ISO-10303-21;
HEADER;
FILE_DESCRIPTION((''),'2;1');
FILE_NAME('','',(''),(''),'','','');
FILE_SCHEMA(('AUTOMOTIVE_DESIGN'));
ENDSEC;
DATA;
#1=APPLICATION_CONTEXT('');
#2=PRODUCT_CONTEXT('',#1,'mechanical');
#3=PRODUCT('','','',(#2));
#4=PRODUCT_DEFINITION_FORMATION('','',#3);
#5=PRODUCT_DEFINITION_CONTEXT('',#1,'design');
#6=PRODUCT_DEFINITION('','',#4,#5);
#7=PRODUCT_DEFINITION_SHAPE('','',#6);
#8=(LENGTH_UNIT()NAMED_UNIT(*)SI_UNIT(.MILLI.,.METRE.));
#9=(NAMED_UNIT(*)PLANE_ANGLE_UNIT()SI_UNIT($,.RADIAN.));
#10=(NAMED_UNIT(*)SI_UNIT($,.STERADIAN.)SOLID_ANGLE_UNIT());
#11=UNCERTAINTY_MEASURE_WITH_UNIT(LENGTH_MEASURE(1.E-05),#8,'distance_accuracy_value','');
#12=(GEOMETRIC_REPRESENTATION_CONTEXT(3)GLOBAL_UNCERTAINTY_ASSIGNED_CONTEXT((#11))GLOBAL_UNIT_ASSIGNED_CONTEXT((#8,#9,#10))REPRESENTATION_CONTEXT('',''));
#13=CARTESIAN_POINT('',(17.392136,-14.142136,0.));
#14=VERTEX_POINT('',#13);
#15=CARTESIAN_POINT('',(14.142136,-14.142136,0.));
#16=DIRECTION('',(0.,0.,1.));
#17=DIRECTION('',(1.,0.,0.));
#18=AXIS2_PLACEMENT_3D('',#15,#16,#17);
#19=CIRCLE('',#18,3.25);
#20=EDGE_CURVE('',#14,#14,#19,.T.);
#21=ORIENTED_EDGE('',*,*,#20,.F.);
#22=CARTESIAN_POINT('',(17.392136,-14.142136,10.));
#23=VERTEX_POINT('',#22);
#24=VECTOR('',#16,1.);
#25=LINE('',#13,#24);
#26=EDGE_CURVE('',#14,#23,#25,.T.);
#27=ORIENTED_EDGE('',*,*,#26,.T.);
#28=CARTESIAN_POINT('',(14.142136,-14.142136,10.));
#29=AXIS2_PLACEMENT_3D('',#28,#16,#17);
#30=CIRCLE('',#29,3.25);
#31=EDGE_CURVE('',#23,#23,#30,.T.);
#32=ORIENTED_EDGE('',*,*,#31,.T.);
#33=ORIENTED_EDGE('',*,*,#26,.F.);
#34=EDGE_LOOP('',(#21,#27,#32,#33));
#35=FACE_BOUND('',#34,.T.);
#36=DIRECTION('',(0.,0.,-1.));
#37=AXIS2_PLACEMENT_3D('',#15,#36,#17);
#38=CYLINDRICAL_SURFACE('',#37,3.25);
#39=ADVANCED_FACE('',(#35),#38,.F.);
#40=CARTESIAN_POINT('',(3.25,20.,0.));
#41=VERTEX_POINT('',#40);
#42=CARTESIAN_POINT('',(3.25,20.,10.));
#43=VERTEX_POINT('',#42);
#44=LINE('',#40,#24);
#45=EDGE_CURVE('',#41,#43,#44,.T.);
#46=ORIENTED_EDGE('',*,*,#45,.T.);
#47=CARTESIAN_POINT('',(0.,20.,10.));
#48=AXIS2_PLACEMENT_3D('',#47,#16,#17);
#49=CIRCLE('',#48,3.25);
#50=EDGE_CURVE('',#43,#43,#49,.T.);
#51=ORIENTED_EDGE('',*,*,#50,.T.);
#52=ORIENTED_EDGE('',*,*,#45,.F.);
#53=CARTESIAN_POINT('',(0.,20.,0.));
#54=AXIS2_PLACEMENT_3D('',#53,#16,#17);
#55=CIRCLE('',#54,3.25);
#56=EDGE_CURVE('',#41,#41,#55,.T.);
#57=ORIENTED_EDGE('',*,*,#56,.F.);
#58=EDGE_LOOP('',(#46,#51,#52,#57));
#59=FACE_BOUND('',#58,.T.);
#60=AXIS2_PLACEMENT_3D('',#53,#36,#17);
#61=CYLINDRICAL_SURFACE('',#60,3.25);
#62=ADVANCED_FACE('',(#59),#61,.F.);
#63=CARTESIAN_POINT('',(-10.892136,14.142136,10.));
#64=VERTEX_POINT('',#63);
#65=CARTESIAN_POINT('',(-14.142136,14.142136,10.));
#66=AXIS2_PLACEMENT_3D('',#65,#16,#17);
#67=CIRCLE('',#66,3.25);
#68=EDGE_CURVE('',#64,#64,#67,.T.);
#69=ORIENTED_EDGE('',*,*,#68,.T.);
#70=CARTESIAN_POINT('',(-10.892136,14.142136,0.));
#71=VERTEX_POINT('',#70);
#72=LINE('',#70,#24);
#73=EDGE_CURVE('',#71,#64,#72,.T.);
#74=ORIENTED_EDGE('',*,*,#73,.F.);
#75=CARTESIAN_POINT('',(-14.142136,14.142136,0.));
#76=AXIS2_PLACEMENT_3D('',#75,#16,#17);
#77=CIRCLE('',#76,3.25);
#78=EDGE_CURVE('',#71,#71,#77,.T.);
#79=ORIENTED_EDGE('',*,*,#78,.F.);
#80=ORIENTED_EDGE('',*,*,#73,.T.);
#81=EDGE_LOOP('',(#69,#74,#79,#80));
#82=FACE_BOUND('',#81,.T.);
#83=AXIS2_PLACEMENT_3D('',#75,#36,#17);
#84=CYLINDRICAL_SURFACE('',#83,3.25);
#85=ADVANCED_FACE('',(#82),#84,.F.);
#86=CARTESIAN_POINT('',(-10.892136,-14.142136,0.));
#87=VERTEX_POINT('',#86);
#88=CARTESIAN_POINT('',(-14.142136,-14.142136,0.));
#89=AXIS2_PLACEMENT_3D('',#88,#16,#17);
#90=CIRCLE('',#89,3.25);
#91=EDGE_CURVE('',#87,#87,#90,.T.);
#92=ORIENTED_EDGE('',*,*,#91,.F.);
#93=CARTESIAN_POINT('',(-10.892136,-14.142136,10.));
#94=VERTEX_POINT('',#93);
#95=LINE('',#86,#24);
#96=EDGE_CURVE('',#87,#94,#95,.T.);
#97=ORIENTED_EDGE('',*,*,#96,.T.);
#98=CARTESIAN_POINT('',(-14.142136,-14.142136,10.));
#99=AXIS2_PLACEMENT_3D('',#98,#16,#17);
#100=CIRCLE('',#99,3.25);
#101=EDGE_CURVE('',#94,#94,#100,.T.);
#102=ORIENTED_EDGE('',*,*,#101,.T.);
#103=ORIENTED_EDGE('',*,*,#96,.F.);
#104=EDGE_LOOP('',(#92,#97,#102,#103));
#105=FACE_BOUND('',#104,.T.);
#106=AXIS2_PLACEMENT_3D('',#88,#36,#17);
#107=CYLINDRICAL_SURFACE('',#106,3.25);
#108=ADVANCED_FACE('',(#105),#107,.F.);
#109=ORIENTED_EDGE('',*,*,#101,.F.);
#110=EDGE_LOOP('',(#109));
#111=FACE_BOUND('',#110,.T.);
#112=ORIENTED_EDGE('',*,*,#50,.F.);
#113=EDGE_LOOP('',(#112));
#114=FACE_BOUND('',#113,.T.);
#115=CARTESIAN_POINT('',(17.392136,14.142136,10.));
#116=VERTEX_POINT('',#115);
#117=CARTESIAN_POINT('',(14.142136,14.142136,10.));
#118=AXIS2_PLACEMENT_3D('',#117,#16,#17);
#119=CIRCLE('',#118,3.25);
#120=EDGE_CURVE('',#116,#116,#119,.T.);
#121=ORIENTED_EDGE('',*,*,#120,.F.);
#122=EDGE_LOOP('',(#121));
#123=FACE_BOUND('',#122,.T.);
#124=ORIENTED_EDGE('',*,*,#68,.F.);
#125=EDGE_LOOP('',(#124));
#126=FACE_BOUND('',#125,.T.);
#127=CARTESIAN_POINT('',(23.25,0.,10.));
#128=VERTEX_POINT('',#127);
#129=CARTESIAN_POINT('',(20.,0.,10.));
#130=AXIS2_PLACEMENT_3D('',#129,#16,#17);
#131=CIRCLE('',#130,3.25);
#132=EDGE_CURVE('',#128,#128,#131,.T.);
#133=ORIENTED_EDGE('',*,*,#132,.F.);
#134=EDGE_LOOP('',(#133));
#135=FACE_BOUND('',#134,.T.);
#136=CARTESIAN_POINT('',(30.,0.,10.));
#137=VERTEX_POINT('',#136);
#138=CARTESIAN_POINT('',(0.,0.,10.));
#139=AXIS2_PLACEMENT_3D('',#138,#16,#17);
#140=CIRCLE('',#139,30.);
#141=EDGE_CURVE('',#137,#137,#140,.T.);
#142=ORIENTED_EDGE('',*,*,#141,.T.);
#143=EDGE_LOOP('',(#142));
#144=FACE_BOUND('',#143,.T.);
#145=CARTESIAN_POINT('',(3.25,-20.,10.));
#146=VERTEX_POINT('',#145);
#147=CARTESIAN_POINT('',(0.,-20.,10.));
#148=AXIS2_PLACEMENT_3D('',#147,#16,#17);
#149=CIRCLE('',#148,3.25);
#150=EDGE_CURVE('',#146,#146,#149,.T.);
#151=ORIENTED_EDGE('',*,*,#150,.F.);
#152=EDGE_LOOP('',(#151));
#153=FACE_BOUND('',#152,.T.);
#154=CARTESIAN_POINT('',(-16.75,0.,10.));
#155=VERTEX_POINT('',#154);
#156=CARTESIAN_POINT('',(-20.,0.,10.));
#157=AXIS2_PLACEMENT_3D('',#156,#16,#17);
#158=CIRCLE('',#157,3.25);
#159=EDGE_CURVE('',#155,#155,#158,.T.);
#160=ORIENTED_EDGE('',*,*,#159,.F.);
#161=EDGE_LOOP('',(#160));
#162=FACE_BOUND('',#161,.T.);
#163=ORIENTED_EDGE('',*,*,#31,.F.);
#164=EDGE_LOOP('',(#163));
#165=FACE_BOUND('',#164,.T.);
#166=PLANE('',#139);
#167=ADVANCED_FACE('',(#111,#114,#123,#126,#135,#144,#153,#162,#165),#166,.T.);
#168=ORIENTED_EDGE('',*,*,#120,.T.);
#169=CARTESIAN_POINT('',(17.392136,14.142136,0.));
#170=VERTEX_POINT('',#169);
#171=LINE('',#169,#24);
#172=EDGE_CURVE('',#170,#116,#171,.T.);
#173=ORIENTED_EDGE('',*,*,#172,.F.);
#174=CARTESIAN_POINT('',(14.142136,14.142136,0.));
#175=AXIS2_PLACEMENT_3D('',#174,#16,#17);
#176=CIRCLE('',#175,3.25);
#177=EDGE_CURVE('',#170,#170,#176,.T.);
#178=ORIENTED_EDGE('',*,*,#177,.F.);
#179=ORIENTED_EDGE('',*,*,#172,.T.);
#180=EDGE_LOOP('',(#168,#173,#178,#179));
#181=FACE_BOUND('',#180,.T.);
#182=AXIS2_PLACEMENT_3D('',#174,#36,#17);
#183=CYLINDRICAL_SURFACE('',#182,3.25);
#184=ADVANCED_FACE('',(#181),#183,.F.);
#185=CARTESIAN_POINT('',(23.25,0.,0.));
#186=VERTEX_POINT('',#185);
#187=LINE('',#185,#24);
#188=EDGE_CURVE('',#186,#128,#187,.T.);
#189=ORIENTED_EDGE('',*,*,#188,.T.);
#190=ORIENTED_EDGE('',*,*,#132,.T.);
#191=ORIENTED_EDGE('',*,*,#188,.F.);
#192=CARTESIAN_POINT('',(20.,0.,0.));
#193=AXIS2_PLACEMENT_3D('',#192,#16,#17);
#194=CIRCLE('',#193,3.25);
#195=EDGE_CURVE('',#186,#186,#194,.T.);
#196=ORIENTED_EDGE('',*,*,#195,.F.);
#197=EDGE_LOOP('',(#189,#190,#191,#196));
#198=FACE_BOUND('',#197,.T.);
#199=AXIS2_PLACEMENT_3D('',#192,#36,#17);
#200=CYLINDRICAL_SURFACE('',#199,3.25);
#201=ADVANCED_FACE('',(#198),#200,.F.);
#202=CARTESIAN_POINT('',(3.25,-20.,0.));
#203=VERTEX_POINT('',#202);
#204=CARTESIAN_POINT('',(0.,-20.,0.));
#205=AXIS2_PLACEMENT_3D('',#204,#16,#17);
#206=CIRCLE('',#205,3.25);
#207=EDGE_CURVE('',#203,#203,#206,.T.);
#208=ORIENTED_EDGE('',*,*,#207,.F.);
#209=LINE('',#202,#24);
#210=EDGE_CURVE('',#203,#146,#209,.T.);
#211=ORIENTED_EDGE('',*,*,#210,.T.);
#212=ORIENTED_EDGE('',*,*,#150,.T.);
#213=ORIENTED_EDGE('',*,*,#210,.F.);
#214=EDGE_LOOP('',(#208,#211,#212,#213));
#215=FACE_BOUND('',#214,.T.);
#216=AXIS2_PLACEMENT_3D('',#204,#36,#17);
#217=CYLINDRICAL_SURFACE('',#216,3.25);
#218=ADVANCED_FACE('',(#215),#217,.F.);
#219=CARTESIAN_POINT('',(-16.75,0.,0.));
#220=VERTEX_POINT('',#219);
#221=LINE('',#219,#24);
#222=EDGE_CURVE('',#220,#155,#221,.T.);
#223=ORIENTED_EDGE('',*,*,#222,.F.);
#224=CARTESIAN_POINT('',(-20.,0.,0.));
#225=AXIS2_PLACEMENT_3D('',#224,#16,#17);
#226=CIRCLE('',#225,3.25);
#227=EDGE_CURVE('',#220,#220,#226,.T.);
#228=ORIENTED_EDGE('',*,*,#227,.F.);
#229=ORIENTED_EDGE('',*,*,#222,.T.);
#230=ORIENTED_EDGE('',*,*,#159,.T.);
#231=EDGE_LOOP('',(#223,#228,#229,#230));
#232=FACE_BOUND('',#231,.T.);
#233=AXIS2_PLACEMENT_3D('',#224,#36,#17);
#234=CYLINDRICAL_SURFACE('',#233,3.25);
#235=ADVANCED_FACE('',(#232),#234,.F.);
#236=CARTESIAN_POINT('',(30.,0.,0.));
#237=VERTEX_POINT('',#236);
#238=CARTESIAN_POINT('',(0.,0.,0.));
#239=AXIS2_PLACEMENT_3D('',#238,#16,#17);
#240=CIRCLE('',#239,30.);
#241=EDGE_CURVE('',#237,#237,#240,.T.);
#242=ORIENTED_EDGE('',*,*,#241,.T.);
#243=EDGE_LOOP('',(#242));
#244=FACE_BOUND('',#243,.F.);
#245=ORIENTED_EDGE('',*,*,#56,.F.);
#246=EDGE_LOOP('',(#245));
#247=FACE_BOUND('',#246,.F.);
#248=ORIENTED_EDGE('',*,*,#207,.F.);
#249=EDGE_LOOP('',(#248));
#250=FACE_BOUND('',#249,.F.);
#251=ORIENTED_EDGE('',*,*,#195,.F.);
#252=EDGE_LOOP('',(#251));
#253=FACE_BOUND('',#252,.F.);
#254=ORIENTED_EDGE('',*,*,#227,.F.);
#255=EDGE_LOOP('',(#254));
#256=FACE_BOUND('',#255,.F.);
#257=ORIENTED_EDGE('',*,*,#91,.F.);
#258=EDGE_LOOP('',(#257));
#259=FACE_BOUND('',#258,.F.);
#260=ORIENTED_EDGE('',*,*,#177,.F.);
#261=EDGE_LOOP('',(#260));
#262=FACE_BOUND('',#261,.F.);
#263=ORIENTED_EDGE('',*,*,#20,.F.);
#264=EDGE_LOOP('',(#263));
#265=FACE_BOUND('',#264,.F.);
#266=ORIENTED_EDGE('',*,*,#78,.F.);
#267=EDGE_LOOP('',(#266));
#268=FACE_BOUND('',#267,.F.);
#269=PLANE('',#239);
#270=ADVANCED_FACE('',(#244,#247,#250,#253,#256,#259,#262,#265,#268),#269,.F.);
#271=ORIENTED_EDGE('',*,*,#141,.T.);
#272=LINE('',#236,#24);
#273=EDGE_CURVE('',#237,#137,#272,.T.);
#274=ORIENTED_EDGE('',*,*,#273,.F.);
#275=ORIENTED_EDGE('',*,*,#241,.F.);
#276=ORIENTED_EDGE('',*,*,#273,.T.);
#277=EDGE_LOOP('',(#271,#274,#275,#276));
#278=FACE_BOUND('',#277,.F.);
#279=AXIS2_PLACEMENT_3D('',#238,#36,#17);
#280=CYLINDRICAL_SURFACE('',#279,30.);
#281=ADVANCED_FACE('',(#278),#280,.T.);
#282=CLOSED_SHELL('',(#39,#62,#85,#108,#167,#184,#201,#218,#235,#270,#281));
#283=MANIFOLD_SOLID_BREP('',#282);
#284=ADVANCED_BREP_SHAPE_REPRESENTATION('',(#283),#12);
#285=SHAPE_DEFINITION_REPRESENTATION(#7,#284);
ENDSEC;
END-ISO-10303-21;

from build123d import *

# Parameters (mm, degrees)
F0_R     = 30
F0_R_2   = 3.25
F1_DEPTH = 10


with BuildPart() as f1:
    # F0 (on Top) → F1 (new body)
    with BuildSketch(Plane.XY):
        Circle(F0_R)
        with Locations((-14.142136, -14.142136)):
            Circle(F0_R_2, mode=Mode.SUBTRACT)
        with Locations((0, -20)):
            Circle(F0_R_2, mode=Mode.SUBTRACT)
        with Locations((14.142136, -14.142136)):
            Circle(F0_R_2, mode=Mode.SUBTRACT)
        with Locations((-20, 0)):
            Circle(F0_R_2, mode=Mode.SUBTRACT)
        with Locations((-14.142136, 14.142136)):
            Circle(F0_R_2, mode=Mode.SUBTRACT)
        with Locations((14.142136, 14.142136)):
            Circle(F0_R_2, mode=Mode.SUBTRACT)
        with Locations((20, 0)):
            Circle(F0_R_2, mode=Mode.SUBTRACT)
        with Locations((0, 20)):
            Circle(F0_R_2, mode=Mode.SUBTRACT)
    extrude(amount=F1_DEPTH)


solid = f1.part
